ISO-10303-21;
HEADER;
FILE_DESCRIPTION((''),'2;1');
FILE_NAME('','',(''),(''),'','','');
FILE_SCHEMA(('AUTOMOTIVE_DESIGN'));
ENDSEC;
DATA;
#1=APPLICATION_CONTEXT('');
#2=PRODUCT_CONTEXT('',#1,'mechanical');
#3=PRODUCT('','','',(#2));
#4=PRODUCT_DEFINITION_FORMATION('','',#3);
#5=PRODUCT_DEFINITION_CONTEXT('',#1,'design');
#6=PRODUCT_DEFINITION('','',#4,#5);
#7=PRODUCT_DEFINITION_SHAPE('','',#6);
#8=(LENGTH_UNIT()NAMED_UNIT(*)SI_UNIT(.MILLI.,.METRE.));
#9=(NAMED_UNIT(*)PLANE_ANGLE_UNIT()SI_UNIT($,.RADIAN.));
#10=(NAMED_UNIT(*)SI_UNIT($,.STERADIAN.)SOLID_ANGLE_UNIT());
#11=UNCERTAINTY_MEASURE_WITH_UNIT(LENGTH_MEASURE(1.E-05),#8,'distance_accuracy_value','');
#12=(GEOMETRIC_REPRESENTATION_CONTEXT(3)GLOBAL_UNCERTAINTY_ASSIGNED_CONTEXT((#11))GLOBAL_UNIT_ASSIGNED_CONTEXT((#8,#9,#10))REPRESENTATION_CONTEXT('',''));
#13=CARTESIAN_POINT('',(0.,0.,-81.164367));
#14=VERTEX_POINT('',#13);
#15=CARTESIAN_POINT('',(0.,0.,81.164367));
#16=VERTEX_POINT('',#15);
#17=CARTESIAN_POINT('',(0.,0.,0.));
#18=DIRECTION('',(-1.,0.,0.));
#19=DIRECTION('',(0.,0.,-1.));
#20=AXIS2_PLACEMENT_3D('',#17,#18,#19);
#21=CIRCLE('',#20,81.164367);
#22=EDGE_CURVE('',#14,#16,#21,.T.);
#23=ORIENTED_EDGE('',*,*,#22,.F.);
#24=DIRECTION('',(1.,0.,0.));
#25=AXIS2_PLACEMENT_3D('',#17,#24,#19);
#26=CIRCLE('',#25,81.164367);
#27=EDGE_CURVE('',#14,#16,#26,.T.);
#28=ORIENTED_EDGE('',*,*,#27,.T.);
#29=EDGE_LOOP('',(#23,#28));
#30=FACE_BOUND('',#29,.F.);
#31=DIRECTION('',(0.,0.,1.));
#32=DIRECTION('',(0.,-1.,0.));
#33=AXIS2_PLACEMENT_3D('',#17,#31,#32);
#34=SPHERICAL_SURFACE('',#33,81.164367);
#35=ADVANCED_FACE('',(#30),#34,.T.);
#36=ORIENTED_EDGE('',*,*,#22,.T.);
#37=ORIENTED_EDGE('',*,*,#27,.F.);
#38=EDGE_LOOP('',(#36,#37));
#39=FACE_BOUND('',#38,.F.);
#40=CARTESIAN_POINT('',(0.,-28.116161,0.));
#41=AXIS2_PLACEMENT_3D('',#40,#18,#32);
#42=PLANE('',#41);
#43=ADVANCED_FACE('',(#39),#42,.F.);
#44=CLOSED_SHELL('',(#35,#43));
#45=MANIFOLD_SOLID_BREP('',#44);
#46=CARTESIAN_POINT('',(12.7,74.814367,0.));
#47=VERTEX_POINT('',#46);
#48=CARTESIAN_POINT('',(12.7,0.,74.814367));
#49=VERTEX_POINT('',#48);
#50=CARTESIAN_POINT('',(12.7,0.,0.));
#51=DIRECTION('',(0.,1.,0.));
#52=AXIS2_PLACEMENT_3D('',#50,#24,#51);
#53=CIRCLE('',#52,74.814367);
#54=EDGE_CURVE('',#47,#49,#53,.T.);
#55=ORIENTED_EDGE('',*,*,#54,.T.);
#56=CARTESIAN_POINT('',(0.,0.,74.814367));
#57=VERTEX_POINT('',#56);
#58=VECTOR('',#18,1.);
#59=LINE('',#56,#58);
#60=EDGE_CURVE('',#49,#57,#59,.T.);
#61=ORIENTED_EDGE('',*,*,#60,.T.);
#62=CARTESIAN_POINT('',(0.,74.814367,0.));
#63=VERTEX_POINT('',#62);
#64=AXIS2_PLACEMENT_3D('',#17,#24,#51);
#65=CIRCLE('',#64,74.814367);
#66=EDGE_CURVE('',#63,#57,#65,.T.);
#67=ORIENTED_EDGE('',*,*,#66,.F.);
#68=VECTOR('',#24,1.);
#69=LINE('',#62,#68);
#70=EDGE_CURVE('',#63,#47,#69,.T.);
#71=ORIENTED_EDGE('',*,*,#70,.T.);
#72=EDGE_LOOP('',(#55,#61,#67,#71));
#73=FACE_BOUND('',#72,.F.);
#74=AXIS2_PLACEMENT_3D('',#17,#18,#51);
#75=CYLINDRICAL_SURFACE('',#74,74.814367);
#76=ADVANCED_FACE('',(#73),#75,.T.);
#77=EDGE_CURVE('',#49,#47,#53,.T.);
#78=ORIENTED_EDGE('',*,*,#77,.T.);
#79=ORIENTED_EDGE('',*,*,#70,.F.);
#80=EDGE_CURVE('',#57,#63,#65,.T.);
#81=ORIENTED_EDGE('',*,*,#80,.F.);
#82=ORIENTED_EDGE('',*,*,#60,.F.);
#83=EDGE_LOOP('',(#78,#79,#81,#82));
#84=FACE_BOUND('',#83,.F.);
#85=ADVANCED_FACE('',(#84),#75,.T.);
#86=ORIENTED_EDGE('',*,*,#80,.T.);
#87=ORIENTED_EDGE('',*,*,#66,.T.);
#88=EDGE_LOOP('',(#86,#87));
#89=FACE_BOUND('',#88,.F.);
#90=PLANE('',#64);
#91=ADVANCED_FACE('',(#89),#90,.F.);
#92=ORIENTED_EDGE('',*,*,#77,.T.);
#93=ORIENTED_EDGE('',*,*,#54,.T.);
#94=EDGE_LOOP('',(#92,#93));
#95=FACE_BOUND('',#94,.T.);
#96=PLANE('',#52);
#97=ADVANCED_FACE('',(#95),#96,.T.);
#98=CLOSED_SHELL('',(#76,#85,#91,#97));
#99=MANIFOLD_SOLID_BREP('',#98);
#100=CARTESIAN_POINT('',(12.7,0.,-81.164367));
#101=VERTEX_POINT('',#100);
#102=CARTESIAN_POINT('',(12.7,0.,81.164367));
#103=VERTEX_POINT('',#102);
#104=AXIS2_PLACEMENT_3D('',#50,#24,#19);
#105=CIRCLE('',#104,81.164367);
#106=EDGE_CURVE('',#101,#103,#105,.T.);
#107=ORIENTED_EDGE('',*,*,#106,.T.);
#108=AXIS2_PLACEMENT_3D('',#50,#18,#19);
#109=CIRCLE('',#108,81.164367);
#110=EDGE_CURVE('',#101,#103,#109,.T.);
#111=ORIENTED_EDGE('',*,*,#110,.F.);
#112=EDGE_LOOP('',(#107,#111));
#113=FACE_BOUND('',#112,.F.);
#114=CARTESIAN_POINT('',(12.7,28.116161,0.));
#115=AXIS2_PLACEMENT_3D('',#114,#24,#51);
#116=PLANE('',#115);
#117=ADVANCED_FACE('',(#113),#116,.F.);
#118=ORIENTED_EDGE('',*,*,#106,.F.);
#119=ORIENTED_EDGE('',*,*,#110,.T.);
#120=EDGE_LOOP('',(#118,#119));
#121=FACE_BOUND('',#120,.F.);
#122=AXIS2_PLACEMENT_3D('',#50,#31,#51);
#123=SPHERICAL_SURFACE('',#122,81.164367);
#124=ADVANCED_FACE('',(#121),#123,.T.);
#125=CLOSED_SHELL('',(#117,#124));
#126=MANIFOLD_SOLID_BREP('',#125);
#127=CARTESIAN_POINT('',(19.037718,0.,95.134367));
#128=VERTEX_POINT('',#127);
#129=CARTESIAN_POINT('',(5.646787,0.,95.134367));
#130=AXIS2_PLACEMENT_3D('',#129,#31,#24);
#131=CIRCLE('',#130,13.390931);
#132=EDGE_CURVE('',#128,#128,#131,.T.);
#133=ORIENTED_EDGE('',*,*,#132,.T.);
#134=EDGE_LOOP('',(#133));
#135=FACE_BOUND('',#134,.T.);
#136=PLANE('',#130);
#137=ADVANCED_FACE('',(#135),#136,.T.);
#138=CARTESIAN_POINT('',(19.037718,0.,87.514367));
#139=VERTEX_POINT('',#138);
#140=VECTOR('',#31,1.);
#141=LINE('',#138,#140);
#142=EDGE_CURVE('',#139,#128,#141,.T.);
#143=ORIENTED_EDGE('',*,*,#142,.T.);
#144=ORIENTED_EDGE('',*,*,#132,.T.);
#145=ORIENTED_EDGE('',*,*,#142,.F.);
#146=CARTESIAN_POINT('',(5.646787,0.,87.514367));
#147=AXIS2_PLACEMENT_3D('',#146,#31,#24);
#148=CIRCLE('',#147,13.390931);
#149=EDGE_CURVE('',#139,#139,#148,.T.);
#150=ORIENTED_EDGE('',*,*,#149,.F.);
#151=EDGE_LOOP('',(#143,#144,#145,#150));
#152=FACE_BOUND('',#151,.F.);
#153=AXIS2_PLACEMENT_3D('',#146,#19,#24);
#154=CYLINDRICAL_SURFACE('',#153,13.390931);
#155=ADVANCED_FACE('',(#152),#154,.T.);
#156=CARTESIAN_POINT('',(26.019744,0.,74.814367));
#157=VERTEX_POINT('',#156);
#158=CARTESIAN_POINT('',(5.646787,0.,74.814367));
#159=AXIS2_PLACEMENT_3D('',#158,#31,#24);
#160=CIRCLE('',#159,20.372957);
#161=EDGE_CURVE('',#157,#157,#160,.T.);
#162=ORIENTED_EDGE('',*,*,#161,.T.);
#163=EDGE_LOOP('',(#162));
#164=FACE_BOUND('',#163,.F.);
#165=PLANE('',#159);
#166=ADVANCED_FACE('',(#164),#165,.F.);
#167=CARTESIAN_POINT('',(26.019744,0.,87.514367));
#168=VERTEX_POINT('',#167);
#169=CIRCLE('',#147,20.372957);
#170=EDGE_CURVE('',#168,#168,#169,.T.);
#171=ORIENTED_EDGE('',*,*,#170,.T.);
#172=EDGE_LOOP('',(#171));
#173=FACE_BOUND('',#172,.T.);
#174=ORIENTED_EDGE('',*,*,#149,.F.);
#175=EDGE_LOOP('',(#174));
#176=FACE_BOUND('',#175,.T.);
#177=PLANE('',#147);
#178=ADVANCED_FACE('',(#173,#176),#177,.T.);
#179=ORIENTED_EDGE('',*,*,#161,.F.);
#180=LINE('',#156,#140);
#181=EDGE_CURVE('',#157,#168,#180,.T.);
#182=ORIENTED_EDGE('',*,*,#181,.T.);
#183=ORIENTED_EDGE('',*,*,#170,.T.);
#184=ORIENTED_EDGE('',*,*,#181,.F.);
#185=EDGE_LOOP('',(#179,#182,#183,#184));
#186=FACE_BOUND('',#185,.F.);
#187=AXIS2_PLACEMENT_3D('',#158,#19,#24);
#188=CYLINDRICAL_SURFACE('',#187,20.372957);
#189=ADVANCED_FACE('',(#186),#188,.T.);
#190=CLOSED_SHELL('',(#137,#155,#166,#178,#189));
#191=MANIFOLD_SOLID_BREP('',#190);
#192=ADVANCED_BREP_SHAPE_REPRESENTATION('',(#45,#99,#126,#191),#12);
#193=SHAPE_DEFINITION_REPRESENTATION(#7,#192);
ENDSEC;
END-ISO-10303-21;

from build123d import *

# Parameters (mm, degrees)
F0_R      = 74.814367
F1_DEPTH  = 12.7
F4_R      = 20.372957
F5_DEPTH  = 12.7
F6_R      = 13.390931
F7_DEPTH  = 7.62
F10_ANGLE = 180
F12_ANGLE = 180


with BuildPart() as f1:
    # F0 (on Right) → F1 (new body)
    with BuildSketch(Plane.YZ):
        Circle(F0_R)
    extrude(amount=F1_DEPTH)

    # F4 (on plane+point) → F5 (join)
    with BuildSketch(Plane.XY.offset(74.814367)):
        with Locations((5.646787, 0)):
            Circle(F4_R)
    extrude(amount=F5_DEPTH)

    # F6 (on face) → F7 (join)
    with BuildSketch(Plane.XY.offset(87.514367)):
        with Locations((5.646787, 0)):
            Circle(F6_R)
    extrude(amount=F7_DEPTH)


with BuildPart() as f10:
    # F9 (on face) → F10 (revolve)
    with BuildSketch(Plane.YZ.offset(12.7)):
        with BuildLine():
            ThreePointArc((0, -81.164367), (81.164367, 0), (0, 81.164367))
            Line((0, 81.164367), (0, -81.164367))
        make_face()
    revolve(axis=Axis((12.7, 0, 0), (0, 0, -1)), revolution_arc=F10_ANGLE)


with BuildPart() as f12:
    # F11 (on face) → F12 (revolve)
    with BuildSketch(Plane(origin=(0, 0, 0), x_dir=(0, -1, 0), z_dir=(-1, 0, 0))):
        with BuildLine():
            Line((0, 81.164367), (0, -81.164367))
            ThreePointArc((0, -81.164367), (81.164367, 0), (0, 81.164367))
        make_face()
    revolve(axis=Axis((0, 0, 0), (0, 0, -1)), revolution_arc=F12_ANGLE)


solid = Compound([f1.part, f10.part, f12.part])
